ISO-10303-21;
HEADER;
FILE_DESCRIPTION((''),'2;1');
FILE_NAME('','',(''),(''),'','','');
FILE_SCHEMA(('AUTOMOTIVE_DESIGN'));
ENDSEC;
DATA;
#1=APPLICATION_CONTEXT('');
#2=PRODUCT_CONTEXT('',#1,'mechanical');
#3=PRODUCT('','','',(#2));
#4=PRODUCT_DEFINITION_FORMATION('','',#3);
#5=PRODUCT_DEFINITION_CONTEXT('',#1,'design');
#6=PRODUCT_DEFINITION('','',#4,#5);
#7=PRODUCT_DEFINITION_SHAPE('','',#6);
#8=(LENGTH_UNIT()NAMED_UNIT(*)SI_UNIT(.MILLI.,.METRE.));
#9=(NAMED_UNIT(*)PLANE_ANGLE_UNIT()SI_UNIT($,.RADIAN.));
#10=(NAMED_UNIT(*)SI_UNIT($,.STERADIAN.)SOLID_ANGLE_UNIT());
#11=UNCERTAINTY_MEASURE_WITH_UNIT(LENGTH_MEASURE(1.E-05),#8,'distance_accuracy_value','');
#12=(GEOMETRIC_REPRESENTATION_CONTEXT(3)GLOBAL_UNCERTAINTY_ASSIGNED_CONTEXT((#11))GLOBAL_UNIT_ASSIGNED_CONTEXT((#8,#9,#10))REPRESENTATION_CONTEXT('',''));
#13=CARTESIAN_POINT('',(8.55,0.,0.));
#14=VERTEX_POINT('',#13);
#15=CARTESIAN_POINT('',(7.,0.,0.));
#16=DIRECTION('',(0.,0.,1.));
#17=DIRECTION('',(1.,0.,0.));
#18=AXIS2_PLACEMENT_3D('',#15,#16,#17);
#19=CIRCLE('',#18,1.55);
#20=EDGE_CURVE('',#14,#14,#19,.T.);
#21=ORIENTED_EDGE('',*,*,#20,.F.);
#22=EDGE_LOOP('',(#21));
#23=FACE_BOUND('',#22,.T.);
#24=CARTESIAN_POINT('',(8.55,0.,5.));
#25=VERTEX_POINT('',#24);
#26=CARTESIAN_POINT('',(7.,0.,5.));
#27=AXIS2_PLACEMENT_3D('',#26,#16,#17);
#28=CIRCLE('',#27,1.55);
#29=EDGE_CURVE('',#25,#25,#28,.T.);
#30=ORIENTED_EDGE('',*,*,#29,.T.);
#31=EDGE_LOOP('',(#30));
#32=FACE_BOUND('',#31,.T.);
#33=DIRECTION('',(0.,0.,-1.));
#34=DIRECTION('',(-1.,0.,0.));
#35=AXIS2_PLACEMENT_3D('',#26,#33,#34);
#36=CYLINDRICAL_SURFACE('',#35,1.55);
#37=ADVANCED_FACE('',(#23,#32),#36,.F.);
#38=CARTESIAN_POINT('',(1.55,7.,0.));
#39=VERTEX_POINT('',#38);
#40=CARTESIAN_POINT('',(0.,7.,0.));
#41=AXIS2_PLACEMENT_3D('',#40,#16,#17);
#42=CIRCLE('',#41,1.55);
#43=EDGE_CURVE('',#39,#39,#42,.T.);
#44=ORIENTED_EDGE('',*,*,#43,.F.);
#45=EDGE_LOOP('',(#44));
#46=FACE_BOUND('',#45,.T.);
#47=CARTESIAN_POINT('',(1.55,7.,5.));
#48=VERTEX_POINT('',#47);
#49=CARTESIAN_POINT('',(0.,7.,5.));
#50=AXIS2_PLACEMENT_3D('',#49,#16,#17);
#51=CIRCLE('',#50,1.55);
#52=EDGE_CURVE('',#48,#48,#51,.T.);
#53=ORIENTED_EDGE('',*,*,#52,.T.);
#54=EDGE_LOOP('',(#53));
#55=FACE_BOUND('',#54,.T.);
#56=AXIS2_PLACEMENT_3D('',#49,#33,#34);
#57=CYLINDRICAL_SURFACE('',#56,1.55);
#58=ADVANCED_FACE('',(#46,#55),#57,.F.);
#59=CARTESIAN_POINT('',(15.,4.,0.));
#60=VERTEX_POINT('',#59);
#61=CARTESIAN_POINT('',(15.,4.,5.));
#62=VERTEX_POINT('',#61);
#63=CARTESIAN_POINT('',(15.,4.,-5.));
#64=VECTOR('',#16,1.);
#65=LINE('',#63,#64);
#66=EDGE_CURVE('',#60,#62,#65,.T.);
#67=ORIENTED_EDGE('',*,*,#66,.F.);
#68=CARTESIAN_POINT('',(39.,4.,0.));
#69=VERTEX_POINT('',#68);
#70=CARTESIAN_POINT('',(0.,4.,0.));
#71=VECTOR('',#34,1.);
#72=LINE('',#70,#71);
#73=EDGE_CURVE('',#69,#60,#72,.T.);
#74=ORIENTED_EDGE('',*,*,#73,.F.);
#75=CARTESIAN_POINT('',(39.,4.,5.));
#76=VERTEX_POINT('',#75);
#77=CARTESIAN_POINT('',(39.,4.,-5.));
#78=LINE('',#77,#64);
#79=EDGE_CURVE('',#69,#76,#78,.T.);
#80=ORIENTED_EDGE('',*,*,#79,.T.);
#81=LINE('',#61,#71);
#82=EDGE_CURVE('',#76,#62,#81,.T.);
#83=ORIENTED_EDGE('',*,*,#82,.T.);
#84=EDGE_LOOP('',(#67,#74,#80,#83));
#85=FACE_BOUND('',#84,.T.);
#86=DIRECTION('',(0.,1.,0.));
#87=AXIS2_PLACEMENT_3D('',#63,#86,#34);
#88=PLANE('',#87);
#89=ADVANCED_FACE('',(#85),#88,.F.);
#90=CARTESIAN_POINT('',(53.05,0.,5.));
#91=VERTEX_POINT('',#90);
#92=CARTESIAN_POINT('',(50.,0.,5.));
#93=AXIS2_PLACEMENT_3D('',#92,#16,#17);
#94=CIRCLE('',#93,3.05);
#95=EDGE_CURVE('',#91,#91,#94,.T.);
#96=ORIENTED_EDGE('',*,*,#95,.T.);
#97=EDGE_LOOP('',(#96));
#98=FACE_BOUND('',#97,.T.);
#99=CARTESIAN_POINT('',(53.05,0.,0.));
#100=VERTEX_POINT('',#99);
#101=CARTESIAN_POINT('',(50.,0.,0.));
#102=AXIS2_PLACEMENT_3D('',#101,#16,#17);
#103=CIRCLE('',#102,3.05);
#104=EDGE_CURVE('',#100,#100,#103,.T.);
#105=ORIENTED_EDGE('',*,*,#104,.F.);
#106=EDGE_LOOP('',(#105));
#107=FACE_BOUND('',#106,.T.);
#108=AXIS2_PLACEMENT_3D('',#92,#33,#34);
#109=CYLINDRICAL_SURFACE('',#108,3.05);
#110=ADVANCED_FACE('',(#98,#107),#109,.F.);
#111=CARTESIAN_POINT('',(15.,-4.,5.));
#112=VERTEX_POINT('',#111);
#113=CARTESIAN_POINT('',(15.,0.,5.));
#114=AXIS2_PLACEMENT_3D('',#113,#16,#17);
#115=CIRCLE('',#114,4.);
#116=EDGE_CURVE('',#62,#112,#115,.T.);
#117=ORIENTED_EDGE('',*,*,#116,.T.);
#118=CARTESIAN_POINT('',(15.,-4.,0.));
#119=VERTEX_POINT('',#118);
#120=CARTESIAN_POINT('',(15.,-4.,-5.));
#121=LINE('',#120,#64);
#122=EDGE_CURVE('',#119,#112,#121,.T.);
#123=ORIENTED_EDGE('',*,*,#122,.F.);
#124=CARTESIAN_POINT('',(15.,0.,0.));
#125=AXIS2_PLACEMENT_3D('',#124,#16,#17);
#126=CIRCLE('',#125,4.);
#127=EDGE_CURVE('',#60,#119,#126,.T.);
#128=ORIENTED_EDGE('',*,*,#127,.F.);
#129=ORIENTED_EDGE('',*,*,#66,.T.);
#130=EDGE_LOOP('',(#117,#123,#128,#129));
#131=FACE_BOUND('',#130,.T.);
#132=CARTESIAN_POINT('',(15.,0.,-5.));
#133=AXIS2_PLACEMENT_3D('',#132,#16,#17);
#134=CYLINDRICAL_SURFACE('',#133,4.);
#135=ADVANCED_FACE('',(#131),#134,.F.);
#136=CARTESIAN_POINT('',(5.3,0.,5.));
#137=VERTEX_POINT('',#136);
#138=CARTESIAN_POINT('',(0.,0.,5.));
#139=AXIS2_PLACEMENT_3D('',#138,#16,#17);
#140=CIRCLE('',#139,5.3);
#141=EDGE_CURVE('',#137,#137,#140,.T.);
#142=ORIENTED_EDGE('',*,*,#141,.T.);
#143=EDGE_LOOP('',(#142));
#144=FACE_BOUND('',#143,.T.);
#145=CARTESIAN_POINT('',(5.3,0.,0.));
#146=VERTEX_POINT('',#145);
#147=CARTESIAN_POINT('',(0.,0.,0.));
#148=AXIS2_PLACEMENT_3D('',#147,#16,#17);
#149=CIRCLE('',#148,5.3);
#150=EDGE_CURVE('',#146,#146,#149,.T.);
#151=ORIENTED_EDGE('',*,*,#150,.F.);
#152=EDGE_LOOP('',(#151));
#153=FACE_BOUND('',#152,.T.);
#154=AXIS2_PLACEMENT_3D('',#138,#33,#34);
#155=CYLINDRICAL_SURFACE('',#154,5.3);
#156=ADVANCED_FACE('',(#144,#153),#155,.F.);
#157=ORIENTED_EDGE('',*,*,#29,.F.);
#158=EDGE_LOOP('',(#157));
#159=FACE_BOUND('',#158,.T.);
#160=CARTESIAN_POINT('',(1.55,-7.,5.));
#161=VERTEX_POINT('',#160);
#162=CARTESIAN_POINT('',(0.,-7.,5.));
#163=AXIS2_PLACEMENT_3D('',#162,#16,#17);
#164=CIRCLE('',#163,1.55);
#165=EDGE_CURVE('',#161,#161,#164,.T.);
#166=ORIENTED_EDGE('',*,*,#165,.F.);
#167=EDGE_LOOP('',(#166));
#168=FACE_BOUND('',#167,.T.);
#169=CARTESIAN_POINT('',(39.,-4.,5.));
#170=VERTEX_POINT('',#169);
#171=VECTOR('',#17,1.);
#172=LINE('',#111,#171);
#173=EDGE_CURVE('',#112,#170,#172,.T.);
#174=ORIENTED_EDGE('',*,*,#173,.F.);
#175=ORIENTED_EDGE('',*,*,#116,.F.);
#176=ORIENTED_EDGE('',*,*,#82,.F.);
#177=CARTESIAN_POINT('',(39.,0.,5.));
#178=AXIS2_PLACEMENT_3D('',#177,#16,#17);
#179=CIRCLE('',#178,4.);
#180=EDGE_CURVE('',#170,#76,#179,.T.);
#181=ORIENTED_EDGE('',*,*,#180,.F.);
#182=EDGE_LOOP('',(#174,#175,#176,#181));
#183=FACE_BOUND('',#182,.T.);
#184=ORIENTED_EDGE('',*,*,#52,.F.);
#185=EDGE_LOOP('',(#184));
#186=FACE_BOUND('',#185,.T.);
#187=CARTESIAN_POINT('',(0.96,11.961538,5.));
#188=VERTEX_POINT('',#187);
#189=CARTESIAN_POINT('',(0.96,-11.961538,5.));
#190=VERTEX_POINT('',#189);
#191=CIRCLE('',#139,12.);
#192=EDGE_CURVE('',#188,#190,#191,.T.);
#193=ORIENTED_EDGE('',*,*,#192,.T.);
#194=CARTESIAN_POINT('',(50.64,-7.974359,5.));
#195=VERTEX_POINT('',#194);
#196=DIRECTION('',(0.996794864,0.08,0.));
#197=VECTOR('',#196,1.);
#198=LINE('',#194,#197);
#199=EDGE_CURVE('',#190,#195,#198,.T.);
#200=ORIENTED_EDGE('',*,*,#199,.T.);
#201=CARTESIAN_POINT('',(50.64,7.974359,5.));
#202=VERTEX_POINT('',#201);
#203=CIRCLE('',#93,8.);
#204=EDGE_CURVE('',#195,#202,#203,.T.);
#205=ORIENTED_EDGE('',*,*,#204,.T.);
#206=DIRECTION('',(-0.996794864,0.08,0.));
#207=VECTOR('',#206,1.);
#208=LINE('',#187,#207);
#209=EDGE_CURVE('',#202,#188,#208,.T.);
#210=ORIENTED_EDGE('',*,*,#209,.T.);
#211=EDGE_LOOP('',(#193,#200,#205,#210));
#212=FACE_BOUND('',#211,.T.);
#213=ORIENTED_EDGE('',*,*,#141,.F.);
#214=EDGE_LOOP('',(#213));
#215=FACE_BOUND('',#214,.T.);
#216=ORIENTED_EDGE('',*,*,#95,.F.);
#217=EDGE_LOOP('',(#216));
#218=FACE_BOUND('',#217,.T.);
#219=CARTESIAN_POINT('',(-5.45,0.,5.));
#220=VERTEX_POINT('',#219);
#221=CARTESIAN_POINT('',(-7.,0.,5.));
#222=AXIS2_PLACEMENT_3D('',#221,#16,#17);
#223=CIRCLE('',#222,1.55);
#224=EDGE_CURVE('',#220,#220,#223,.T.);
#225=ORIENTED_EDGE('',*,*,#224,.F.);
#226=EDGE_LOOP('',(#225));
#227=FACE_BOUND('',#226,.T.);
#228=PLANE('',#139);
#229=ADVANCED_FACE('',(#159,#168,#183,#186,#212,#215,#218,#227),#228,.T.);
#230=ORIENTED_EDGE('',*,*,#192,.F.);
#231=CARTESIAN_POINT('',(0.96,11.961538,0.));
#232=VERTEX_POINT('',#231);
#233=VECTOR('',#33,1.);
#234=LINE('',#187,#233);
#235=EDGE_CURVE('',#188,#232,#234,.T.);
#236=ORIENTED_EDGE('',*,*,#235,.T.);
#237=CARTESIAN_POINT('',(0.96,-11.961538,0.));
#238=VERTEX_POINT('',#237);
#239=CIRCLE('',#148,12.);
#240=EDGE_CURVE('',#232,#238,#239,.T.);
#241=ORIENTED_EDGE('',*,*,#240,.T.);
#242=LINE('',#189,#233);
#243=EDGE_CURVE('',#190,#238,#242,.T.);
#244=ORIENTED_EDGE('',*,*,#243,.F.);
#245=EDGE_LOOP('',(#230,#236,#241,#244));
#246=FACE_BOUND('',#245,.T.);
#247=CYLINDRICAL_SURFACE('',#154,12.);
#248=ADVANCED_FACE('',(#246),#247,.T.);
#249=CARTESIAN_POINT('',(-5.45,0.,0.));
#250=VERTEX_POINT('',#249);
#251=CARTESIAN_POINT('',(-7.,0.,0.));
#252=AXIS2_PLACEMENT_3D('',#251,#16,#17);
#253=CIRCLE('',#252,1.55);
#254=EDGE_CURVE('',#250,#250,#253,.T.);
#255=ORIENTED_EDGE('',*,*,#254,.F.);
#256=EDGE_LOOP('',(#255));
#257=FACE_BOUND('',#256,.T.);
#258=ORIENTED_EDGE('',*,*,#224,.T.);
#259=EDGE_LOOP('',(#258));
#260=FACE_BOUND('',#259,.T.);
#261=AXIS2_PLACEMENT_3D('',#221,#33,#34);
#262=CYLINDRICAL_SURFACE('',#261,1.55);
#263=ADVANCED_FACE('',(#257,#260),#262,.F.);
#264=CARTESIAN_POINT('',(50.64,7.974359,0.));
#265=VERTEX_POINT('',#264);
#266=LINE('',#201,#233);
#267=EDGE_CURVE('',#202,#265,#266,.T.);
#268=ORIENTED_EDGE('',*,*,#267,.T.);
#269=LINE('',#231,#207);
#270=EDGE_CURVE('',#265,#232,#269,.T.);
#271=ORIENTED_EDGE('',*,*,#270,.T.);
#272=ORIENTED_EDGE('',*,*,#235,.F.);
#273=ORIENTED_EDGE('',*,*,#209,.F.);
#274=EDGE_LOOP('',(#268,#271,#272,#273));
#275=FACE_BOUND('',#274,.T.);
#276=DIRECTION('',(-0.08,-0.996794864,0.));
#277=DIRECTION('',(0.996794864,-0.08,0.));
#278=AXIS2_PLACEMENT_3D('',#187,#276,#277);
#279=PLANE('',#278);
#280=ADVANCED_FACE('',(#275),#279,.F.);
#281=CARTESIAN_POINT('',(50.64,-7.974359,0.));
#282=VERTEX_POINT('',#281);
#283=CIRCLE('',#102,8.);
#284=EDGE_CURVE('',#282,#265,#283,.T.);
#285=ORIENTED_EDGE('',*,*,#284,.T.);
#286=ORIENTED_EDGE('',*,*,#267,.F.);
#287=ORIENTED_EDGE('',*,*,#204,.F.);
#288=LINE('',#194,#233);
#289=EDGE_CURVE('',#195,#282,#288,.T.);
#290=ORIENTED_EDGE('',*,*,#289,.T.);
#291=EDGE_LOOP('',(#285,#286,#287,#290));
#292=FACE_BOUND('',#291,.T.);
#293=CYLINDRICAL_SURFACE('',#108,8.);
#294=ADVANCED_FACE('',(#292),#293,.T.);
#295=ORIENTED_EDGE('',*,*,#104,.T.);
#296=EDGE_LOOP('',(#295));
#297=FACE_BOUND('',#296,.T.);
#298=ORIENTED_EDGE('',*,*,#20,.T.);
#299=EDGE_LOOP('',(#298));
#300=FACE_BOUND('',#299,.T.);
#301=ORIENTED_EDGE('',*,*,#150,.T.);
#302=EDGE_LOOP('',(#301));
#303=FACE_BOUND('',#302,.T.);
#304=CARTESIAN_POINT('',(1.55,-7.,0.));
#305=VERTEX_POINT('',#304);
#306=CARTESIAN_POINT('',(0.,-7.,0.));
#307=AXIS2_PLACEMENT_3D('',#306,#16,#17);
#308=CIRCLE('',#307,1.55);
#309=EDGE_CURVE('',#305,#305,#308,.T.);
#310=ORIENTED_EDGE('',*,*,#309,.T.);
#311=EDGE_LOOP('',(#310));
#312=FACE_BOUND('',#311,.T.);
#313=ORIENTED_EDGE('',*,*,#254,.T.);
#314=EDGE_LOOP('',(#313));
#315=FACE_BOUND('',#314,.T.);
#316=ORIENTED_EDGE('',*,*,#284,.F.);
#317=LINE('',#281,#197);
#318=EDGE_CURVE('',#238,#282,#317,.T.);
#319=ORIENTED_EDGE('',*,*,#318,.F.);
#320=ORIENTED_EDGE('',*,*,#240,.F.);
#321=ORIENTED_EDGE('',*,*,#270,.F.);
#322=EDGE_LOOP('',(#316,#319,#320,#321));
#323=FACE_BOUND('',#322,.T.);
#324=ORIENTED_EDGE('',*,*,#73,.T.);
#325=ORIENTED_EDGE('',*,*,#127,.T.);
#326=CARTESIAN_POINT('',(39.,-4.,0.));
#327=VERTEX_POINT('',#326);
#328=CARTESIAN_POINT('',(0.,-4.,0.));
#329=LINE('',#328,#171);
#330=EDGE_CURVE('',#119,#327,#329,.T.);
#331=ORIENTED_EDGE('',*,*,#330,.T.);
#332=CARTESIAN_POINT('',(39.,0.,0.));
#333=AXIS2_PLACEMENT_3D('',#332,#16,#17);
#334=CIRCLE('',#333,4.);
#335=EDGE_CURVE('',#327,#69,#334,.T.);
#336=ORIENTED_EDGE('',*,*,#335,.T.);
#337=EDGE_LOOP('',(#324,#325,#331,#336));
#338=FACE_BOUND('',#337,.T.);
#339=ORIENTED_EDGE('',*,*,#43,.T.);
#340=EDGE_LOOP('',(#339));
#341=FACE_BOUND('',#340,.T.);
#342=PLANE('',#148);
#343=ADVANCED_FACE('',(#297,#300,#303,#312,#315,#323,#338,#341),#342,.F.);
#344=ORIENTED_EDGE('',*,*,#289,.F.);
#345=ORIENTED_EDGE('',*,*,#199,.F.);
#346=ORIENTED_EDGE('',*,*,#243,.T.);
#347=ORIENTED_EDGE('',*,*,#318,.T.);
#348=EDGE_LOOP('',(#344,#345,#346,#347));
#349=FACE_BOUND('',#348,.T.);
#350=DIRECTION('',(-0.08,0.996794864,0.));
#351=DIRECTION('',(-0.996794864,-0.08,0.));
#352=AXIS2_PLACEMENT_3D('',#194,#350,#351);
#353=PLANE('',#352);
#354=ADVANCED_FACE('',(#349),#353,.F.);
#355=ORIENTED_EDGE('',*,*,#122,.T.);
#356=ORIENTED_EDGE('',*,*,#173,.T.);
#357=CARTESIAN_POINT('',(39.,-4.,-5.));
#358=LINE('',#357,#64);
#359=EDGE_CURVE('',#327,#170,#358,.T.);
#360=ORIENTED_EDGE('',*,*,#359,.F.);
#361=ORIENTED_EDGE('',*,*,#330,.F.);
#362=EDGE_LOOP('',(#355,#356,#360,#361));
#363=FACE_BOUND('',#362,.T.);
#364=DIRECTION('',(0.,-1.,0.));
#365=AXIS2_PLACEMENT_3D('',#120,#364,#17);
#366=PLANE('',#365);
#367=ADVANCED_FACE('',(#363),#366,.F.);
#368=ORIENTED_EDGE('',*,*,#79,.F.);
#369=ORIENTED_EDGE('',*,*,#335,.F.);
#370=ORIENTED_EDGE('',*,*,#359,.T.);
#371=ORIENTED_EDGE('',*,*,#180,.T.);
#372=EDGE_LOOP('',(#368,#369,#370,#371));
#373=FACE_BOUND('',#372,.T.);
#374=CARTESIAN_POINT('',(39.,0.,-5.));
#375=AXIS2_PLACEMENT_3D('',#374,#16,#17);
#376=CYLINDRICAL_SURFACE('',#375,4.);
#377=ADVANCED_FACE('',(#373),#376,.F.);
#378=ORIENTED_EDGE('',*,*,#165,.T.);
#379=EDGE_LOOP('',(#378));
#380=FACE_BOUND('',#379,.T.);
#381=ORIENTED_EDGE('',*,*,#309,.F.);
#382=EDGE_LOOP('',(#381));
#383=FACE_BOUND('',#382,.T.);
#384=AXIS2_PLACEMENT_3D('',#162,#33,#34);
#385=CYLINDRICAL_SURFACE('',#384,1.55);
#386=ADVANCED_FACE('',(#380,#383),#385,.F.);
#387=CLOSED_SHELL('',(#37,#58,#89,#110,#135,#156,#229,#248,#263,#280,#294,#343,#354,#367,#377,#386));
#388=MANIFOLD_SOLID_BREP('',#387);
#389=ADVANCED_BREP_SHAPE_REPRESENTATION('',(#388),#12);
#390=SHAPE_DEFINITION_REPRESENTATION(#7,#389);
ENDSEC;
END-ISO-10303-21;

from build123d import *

# Parameters (mm, degrees)
SKETCH_1_R          = 5.3
SKETCH_1_R_2        = 3.05
SKETCH_1_R_3        = 1.55
EXTRUDE_1_DEPTH     = 5
CUT_EXTRUDE_1_DEPTH = 10


with BuildPart() as part:
    # 草图1 → 凸台-拉伸1 (new body)
    with BuildSketch(Plane.XY):
        with BuildLine():
            Line((0.96, 11.961538363), (50.64, 7.974358908))
            ThreePointArc((50.64, 7.974358908), (58, 0), (50.64, -7.974358908))
            Line((50.64, -7.974358908), (0.96, -11.961538363))
            ThreePointArc((0.96, -11.961538363), (-12, 0), (0.96, 11.961538363))
        make_face()
        Circle(SKETCH_1_R, mode=Mode.SUBTRACT)
        with Locations((50, 0)):
            Circle(SKETCH_1_R_2, mode=Mode.SUBTRACT)
        with Locations((-7, 0)):
            Circle(SKETCH_1_R_3, mode=Mode.SUBTRACT)
        with Locations((7, 0)):
            Circle(SKETCH_1_R_3, mode=Mode.SUBTRACT)
        with Locations((0, 7)):
            Circle(SKETCH_1_R_3, mode=Mode.SUBTRACT)
        with Locations((0, -7)):
            Circle(SKETCH_1_R_3, mode=Mode.SUBTRACT)
    extrude(amount=EXTRUDE_1_DEPTH)

    # 草图2 → 切除-拉伸1 (cut)
    with BuildSketch(Plane.XY.offset(5)):
        with BuildLine():
            Line((15, 4), (39, 4))
            ThreePointArc((39, 4), (43, 0), (39, -4))
            Line((39, -4), (15, -4))
            ThreePointArc((15, -4), (11, 0), (15, 4))
        make_face()
    extrude(amount=-CUT_EXTRUDE_1_DEPTH, mode=Mode.SUBTRACT)


solid = part.part
